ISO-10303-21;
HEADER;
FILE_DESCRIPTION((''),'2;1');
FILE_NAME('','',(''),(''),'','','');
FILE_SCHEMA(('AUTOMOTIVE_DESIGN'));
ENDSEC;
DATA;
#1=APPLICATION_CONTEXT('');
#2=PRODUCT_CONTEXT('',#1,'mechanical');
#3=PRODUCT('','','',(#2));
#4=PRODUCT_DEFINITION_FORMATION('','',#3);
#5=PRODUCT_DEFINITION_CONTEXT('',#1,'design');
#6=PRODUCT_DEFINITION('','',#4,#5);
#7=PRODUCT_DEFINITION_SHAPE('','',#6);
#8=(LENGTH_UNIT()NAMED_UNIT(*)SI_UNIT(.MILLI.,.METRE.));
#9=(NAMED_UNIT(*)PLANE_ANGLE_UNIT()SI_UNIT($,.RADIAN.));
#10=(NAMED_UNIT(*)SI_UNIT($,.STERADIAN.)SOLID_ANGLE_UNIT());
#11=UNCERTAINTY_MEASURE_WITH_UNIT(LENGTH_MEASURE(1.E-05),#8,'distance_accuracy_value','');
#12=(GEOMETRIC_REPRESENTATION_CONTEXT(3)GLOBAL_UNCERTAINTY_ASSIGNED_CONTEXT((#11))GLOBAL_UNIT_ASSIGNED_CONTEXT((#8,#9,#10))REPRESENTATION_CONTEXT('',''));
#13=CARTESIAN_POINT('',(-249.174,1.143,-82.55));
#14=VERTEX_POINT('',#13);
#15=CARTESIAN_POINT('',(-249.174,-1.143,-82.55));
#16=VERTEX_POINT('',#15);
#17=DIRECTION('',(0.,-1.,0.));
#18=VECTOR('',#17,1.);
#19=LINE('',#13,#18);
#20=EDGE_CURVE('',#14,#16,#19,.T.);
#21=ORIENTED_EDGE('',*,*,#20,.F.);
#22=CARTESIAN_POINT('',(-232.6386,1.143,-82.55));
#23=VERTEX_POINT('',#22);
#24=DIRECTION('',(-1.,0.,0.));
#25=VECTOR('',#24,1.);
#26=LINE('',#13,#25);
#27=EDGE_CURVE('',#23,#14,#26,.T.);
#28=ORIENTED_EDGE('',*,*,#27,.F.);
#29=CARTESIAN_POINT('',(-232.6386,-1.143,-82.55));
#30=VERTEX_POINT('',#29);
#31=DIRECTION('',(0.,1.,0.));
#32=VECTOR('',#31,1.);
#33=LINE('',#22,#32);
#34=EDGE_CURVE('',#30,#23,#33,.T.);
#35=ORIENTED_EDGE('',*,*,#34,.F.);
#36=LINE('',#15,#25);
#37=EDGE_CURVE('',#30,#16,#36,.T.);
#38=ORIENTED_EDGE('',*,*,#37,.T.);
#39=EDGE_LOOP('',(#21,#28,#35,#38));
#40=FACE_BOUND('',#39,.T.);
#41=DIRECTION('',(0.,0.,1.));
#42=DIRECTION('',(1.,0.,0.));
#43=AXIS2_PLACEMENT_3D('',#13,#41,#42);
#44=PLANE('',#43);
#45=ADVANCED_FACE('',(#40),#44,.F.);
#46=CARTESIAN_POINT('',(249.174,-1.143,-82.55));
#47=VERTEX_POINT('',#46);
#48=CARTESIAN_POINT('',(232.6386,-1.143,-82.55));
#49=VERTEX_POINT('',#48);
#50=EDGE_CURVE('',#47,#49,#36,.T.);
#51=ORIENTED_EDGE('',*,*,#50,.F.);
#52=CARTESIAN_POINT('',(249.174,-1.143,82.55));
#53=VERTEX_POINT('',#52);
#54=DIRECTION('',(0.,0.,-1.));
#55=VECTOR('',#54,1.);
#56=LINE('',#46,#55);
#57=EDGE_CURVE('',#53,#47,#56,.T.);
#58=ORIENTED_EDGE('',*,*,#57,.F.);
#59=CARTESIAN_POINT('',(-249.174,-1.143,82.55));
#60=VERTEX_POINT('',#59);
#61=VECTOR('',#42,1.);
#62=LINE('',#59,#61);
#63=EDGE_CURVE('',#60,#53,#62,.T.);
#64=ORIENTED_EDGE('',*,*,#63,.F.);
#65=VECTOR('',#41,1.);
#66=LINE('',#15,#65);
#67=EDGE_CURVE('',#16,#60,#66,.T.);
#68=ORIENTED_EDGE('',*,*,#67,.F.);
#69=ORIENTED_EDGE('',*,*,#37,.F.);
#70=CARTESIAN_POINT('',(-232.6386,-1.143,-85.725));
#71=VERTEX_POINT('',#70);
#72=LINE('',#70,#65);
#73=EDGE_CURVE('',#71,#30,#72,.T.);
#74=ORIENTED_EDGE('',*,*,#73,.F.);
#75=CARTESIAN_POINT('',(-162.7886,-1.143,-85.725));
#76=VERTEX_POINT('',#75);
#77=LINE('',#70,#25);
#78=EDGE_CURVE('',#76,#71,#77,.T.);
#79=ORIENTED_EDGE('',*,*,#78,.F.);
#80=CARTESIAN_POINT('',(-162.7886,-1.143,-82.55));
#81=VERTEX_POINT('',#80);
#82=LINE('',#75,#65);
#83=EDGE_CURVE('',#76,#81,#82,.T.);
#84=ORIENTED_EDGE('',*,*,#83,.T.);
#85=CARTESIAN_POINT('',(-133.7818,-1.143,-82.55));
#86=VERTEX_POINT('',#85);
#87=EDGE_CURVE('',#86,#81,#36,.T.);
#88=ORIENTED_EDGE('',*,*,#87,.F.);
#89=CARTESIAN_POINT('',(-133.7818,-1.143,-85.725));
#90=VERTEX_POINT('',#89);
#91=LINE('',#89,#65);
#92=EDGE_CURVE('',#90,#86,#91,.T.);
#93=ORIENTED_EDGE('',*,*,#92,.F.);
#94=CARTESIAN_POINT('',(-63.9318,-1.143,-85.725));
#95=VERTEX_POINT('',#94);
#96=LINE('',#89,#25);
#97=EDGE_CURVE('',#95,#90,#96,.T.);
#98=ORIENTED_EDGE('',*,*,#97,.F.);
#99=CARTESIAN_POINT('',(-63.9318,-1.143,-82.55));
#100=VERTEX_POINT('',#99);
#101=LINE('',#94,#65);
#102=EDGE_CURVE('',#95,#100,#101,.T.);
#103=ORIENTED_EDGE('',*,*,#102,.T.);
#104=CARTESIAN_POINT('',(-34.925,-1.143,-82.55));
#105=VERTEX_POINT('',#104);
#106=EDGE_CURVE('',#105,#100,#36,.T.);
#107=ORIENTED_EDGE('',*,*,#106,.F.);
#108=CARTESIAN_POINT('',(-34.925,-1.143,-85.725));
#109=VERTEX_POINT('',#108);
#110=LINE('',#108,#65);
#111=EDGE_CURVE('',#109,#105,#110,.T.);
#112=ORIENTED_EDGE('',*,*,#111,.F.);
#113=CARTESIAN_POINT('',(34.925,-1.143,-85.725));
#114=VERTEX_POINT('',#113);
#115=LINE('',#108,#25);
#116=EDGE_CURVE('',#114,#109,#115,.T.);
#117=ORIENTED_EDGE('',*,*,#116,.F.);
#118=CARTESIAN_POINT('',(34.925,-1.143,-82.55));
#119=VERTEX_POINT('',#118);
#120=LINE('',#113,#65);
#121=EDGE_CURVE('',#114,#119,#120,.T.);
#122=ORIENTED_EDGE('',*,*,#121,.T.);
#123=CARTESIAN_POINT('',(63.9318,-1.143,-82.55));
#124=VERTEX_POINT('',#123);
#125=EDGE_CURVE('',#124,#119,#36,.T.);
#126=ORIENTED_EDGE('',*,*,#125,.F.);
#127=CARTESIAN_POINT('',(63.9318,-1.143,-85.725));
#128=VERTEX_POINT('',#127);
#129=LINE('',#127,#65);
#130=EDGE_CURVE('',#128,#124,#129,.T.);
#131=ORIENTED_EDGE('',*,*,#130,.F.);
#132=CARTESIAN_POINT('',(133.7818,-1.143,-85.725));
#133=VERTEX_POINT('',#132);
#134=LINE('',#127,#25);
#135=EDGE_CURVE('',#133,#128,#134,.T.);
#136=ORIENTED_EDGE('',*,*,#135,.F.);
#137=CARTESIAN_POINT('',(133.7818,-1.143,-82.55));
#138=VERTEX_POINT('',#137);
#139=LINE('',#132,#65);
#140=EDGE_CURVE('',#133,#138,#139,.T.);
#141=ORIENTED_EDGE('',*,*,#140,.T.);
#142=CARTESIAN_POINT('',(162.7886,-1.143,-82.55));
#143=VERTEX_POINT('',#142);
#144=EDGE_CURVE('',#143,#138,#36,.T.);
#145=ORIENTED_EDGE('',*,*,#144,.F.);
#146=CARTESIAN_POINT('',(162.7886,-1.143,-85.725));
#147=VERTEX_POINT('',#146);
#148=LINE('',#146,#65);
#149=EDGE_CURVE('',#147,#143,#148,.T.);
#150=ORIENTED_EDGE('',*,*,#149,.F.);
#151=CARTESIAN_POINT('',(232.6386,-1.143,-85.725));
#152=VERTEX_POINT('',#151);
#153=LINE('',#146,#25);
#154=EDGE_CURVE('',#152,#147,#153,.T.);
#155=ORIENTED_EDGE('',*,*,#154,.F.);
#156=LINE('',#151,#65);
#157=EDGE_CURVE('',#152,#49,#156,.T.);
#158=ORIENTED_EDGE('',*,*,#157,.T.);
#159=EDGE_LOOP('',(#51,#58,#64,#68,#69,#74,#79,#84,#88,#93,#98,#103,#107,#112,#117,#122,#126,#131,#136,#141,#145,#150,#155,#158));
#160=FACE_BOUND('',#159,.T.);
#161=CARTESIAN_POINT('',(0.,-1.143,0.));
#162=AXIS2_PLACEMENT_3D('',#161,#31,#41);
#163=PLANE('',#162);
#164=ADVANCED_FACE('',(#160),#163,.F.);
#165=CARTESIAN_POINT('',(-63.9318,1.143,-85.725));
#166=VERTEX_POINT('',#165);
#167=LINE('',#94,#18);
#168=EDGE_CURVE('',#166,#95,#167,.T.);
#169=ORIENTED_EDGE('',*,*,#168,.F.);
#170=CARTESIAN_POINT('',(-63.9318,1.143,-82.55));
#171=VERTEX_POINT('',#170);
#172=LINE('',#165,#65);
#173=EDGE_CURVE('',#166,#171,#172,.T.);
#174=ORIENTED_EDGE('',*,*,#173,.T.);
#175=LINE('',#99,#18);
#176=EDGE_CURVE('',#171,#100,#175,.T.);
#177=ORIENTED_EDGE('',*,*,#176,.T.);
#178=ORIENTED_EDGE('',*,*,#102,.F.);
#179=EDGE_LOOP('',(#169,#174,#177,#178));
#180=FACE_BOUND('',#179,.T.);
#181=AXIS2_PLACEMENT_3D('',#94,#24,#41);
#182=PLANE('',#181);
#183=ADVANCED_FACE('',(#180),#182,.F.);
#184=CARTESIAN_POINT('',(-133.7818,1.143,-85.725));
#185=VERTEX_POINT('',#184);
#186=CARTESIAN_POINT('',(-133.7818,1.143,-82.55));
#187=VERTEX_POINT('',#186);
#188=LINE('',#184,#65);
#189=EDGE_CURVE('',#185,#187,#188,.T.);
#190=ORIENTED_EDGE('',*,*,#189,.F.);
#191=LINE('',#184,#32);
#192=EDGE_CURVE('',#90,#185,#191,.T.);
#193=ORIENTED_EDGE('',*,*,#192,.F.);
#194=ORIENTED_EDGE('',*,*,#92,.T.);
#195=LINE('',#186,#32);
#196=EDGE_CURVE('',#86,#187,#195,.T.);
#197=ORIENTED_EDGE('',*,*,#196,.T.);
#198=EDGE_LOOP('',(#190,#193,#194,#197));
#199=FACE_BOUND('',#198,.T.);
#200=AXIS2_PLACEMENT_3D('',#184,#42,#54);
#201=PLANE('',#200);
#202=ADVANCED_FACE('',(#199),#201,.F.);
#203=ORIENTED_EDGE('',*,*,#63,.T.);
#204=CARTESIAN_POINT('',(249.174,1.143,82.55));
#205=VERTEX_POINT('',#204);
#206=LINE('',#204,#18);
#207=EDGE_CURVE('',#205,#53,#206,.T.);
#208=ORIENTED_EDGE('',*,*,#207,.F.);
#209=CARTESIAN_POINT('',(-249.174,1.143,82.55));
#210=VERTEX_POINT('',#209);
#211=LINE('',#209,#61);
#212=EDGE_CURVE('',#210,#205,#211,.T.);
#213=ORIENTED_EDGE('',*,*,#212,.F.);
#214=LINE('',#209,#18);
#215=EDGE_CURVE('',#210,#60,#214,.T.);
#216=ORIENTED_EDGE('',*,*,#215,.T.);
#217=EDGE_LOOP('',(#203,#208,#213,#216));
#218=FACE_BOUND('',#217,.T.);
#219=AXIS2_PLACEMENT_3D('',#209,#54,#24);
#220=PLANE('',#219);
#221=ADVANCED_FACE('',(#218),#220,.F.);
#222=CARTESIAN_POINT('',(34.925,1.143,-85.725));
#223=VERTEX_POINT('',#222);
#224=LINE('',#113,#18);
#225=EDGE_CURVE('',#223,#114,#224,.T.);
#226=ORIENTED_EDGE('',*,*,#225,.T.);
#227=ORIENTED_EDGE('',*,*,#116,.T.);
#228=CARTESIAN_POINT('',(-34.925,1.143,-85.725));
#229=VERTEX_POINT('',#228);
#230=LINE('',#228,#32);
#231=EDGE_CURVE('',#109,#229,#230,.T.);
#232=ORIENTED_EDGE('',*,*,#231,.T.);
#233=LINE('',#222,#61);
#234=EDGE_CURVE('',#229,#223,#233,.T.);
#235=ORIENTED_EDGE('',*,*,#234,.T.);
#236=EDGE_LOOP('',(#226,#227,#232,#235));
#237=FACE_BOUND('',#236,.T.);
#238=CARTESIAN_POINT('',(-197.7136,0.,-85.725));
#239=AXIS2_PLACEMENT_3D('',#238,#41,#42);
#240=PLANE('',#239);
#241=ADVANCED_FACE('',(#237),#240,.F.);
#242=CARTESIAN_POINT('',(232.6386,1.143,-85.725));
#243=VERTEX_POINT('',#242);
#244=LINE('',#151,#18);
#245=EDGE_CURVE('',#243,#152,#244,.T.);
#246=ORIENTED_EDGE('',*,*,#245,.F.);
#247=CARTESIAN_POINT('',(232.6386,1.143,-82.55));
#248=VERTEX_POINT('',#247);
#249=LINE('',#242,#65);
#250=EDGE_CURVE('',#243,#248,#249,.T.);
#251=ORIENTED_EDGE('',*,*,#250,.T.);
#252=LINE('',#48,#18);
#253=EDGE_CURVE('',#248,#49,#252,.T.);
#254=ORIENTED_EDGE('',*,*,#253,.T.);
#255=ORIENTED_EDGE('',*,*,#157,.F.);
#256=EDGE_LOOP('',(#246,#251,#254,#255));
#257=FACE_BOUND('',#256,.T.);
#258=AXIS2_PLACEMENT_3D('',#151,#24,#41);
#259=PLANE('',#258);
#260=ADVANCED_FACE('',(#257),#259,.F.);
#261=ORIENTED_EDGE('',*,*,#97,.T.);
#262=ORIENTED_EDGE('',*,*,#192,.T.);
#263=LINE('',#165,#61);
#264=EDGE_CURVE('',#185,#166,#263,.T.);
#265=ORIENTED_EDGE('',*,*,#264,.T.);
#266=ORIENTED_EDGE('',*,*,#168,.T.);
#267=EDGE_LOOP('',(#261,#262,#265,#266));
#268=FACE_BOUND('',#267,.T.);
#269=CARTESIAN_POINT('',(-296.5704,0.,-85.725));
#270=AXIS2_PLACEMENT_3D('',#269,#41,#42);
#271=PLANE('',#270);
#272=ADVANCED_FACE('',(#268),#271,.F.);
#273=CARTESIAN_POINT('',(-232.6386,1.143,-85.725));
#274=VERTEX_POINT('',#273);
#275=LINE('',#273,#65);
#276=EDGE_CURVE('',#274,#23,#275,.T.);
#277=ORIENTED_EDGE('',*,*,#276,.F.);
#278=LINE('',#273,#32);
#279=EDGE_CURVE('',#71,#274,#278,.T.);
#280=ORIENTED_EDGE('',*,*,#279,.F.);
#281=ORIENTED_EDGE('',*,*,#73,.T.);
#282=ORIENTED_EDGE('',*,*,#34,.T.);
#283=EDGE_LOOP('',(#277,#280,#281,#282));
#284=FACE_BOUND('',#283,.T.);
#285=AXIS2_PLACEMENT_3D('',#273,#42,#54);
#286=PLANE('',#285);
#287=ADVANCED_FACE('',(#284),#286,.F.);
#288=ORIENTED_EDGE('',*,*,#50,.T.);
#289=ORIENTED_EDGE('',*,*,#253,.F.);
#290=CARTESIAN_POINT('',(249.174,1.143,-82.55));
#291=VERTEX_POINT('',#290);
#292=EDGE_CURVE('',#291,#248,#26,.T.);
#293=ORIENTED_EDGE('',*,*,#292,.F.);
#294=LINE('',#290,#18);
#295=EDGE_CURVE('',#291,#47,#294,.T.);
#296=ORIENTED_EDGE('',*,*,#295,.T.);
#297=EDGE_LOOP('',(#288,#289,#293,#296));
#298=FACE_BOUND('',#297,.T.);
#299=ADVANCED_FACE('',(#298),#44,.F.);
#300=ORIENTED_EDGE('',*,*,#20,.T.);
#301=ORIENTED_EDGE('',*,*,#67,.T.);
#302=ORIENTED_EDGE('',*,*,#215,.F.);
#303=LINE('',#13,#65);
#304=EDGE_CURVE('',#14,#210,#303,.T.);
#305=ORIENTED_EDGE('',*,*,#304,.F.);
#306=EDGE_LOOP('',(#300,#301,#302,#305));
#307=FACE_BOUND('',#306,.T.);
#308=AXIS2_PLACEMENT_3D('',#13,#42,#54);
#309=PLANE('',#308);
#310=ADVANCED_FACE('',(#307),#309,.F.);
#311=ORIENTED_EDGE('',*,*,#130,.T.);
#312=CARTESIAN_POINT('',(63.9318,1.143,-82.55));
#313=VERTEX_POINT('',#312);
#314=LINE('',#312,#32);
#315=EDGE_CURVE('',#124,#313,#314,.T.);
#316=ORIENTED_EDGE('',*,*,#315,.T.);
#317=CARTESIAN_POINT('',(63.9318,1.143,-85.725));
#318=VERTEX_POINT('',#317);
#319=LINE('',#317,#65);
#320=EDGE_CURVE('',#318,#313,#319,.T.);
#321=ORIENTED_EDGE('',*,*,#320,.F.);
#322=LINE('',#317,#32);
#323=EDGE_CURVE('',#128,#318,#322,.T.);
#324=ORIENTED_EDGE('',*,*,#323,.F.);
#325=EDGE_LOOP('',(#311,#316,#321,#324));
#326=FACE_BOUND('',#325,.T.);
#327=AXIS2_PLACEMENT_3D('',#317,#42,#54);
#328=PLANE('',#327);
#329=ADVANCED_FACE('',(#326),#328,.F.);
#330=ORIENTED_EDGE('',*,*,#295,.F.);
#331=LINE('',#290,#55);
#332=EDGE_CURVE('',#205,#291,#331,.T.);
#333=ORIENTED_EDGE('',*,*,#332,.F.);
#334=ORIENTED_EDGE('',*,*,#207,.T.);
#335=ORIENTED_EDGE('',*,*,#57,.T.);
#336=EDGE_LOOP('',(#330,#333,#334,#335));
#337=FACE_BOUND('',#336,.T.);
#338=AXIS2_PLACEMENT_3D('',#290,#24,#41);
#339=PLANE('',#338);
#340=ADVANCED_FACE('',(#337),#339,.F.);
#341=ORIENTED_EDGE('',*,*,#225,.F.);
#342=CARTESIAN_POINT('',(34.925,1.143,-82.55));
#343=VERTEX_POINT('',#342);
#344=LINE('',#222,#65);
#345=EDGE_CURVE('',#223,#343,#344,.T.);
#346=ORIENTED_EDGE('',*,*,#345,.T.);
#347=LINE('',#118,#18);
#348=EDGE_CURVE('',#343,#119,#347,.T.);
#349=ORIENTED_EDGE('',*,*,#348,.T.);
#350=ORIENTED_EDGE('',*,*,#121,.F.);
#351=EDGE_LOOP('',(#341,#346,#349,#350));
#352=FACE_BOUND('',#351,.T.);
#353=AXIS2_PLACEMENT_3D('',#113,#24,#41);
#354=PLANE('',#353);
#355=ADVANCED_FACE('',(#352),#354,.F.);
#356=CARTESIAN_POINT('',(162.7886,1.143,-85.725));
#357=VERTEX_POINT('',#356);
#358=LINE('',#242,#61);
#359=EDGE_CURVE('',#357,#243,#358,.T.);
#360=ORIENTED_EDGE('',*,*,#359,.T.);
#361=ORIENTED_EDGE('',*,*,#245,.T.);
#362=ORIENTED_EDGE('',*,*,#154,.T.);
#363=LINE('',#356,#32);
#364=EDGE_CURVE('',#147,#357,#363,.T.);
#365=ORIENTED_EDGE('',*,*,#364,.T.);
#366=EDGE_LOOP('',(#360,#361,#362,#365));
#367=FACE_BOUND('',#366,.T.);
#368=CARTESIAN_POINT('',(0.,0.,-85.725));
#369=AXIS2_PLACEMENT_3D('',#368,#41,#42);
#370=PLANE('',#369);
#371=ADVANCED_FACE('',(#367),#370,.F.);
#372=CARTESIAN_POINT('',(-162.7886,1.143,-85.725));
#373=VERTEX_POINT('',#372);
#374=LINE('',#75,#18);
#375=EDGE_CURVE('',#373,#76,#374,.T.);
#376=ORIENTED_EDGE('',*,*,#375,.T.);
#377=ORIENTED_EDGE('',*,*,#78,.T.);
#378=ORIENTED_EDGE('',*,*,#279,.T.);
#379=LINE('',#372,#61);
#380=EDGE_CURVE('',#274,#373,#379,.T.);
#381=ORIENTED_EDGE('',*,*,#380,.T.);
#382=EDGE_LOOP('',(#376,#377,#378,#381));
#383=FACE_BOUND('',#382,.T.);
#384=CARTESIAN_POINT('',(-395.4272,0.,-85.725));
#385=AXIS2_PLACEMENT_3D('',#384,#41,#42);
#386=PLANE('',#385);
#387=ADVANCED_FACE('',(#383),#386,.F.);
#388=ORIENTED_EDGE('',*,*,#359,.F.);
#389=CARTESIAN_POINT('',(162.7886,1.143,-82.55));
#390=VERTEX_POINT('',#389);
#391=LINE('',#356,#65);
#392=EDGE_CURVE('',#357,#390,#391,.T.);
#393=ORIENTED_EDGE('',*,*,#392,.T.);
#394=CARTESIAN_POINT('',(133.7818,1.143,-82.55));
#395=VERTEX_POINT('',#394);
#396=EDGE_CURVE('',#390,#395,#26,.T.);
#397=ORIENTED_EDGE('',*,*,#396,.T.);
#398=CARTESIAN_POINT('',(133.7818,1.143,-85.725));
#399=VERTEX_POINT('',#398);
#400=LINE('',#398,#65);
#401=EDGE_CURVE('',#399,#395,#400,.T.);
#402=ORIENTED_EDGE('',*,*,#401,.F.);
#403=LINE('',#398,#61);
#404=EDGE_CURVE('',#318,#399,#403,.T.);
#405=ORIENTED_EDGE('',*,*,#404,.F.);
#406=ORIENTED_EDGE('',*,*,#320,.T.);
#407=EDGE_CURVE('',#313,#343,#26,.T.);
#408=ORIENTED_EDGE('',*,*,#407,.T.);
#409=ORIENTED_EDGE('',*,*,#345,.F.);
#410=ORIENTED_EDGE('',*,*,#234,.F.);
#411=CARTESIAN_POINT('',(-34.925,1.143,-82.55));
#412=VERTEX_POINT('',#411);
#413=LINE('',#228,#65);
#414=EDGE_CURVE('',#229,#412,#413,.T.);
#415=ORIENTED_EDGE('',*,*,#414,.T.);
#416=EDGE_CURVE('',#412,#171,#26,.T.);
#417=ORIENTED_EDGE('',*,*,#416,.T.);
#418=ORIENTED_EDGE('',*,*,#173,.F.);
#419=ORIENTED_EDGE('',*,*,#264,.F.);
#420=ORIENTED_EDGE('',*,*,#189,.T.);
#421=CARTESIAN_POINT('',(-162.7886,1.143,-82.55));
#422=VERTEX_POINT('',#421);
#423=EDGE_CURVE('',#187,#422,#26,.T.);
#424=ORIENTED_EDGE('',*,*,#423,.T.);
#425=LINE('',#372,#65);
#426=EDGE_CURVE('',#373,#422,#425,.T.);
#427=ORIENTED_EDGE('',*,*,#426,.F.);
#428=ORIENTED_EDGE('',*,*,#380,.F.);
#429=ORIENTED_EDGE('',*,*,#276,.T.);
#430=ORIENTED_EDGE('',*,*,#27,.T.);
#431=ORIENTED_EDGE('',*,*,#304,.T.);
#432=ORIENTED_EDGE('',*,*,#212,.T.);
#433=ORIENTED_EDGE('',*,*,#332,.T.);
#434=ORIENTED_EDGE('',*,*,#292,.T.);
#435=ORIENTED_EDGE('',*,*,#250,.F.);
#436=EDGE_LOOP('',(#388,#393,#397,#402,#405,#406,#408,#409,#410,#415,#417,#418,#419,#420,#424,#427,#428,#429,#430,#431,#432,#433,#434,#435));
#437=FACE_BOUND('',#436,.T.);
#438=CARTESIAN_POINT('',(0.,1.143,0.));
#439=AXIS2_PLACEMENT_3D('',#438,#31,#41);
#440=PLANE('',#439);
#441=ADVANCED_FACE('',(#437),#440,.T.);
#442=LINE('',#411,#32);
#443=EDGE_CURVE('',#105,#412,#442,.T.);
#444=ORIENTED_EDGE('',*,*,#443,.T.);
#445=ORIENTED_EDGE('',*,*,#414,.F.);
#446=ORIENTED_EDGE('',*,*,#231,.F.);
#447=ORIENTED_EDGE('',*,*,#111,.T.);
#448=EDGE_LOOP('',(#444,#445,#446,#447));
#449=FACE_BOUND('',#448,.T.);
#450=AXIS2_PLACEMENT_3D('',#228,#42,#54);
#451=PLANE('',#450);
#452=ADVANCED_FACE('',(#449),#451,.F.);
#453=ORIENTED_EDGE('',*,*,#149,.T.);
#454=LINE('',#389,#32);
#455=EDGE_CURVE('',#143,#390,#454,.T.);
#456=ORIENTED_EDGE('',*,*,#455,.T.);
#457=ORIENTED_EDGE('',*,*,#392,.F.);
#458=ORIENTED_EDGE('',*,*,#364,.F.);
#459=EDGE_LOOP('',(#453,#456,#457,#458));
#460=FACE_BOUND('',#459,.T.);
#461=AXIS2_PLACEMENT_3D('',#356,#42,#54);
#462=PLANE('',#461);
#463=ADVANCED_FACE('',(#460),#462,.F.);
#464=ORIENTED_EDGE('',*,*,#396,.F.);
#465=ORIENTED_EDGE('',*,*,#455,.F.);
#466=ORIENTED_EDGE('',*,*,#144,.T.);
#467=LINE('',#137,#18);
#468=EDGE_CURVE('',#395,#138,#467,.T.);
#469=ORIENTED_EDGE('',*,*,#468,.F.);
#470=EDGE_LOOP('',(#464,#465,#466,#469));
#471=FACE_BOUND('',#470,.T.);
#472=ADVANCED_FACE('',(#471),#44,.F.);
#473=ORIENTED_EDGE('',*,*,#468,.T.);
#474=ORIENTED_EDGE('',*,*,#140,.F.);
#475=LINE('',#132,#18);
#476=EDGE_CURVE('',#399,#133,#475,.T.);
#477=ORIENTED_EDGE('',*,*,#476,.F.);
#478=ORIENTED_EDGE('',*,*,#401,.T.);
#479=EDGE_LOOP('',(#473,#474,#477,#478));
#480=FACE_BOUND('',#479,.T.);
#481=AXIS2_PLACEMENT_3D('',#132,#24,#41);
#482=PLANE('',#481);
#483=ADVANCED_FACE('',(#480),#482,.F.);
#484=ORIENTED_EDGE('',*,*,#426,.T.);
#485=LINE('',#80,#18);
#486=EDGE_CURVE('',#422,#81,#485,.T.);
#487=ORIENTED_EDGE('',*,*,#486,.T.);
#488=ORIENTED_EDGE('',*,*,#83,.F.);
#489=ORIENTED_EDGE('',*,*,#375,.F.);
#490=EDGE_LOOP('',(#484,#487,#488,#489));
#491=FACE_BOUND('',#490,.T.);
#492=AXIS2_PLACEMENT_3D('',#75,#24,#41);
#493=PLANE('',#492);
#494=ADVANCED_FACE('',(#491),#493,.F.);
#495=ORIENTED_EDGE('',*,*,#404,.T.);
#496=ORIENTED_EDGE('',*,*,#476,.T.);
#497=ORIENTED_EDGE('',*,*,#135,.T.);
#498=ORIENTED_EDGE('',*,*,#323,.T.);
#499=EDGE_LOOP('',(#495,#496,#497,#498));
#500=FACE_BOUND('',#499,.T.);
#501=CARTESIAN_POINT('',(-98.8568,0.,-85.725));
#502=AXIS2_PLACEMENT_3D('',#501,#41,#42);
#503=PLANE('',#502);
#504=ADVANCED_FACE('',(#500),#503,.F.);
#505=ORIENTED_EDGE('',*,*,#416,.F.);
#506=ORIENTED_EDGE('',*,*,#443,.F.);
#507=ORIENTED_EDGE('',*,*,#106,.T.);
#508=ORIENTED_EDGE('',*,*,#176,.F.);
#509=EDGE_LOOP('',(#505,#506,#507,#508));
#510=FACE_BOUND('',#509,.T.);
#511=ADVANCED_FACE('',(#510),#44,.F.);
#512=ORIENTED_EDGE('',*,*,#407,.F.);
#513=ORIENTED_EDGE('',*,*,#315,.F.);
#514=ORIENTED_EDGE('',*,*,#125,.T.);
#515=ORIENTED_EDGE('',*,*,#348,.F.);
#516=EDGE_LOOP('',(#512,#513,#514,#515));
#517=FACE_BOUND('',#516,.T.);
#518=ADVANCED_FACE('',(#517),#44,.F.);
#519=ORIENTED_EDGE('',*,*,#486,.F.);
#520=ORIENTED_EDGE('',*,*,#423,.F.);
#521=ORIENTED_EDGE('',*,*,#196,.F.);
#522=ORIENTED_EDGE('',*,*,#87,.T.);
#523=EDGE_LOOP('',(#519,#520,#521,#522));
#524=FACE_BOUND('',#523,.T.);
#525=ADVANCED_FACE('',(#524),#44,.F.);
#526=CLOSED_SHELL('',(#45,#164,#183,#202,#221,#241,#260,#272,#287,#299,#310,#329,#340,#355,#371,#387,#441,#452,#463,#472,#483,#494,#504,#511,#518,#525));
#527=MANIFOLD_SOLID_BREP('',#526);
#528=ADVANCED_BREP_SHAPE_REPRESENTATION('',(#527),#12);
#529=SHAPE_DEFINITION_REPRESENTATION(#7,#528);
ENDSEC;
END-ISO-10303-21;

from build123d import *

# Parameters (mm, degrees)
SKETCH1_W           = 498.348
SKETCH1_H           = 165.1
BOSS_EXTRUDE1_DEPTH = 1.143
SKETCH2_W           = 69.85
SKETCH2_H           = 2.286
BOSS_EXTRUDE2_DEPTH = 3.175
LPATTERN1_COUNT     = 5
LPATTERN1_PITCH     = 98.8568


with BuildPart() as part:
    # Sketch1 → Boss-Extrude1 (new, symmetric)
    with BuildSketch(Plane(origin=(0, 0, 0), x_dir=(1, 0, 0), z_dir=(0, 1, 0))):
        Rectangle(SKETCH1_W, SKETCH1_H)
    extrude(amount=BOSS_EXTRUDE1_DEPTH, both=True)

    # Sketch2 → Boss-Extrude2 (add)
    with BuildSketch(Plane(origin=(0, 0, -82.55), x_dir=(-1, 0, 0), z_dir=(0, 0, -1))):
        with Locations((-197.7136, 0)):
            Rectangle(SKETCH2_W, SKETCH2_H)
    boss_extrude2 = extrude(amount=BOSS_EXTRUDE2_DEPTH)

    # LPattern1: Boss-Extrude2 ×5
    with Locations(*[(-i * LPATTERN1_PITCH, 0, 0) for i in range(1, LPATTERN1_COUNT)]):
        add(boss_extrude2)


solid = part.part
